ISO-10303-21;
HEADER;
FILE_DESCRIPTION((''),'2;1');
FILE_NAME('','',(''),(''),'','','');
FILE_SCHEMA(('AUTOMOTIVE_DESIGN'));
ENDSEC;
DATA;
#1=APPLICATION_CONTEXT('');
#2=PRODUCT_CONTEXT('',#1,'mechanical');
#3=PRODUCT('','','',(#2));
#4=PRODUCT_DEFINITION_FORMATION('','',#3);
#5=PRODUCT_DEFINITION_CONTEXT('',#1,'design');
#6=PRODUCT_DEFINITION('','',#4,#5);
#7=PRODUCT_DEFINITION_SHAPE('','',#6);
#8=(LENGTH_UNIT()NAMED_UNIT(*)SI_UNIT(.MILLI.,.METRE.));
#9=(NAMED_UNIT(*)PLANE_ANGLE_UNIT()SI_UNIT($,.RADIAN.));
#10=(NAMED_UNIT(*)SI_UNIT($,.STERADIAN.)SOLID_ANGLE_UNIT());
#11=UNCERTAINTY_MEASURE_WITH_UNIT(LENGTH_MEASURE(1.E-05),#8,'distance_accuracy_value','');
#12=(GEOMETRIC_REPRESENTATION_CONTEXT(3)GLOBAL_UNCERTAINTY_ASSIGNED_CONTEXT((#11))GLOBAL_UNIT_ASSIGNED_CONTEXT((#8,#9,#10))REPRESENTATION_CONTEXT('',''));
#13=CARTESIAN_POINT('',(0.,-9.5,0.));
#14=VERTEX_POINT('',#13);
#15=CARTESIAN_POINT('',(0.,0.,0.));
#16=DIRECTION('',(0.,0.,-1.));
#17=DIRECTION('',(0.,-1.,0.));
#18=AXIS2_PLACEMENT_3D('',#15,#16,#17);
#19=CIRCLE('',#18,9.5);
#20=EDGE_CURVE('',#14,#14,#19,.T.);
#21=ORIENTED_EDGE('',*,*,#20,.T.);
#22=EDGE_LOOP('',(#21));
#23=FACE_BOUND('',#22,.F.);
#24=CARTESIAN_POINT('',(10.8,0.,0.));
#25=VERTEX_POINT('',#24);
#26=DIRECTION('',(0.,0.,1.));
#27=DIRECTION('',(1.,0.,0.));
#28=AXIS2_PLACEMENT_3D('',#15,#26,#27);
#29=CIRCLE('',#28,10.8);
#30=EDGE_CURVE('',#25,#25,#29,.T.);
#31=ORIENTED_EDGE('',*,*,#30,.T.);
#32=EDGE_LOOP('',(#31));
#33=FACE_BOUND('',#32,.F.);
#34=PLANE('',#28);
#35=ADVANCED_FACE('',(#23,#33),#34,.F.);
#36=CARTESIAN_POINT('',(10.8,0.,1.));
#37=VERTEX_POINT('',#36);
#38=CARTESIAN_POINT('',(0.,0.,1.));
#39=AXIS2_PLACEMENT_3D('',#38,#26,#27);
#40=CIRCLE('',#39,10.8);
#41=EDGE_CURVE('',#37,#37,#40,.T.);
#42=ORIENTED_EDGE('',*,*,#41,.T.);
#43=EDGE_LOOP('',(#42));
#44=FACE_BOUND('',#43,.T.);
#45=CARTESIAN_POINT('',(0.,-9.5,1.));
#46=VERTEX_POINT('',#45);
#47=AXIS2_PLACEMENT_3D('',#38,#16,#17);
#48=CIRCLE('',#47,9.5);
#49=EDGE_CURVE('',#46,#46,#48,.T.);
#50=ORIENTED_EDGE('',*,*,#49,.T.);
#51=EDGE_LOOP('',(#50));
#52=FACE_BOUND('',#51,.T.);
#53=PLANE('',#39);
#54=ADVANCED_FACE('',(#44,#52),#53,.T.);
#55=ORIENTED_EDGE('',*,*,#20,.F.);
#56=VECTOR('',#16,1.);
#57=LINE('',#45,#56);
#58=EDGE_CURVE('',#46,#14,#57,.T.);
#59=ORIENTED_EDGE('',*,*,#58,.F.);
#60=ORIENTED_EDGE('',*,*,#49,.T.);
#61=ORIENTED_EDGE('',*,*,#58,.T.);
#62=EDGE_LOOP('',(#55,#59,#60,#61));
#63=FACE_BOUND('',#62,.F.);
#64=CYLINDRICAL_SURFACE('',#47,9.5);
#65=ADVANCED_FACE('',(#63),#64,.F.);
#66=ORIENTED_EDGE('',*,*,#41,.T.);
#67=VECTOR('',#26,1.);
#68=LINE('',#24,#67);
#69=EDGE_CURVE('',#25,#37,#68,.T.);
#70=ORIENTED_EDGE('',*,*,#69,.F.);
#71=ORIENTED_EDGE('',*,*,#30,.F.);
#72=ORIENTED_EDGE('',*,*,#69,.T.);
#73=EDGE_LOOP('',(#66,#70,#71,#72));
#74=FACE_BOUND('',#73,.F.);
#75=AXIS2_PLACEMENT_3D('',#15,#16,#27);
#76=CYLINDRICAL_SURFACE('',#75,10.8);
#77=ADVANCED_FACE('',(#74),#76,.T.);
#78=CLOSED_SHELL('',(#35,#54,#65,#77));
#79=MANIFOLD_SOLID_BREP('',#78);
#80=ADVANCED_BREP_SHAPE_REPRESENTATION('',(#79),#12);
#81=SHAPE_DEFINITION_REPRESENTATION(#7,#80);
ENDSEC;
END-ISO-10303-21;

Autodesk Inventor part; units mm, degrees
ref_plane "YZ Plane" through (0, 0, 0) normal (1, 0, 0) x (0, 1, 0)
ref_plane "XZ Plane" through (0, 0, 0) normal (0, 1, 0) x (-1, 0, 0)
ref_plane "XY Plane" through (0, 0, 0) normal (0, 0, 1) x (1, 0, 0)
sketch "Sketch1" plane through (0, 0, 0) normal (0, 0, 1) x (1, 0, 0)
  point P0 (0, 0)
sketch "Sketch2" plane through (0, 0, 0) normal (0, 0, 1) x (1, 0, 0)
  circle A0 centre (0, 0) radius 10.8
  dimension "d0" = 21.6
extrude "Extrusion1" add sketch "Sketch2" along normal blind 1
sketch "Sketch3" plane through (0, 0, 1) normal (0, 0, 1) x (1, 0, 0)
  point P0 (0, 0)
  point P1 (0, 0)
hole "Hole1" at (0, 0, 1) direction (0, 0, -1) diameter 19 end through all
properties part number "CoverPart3"
